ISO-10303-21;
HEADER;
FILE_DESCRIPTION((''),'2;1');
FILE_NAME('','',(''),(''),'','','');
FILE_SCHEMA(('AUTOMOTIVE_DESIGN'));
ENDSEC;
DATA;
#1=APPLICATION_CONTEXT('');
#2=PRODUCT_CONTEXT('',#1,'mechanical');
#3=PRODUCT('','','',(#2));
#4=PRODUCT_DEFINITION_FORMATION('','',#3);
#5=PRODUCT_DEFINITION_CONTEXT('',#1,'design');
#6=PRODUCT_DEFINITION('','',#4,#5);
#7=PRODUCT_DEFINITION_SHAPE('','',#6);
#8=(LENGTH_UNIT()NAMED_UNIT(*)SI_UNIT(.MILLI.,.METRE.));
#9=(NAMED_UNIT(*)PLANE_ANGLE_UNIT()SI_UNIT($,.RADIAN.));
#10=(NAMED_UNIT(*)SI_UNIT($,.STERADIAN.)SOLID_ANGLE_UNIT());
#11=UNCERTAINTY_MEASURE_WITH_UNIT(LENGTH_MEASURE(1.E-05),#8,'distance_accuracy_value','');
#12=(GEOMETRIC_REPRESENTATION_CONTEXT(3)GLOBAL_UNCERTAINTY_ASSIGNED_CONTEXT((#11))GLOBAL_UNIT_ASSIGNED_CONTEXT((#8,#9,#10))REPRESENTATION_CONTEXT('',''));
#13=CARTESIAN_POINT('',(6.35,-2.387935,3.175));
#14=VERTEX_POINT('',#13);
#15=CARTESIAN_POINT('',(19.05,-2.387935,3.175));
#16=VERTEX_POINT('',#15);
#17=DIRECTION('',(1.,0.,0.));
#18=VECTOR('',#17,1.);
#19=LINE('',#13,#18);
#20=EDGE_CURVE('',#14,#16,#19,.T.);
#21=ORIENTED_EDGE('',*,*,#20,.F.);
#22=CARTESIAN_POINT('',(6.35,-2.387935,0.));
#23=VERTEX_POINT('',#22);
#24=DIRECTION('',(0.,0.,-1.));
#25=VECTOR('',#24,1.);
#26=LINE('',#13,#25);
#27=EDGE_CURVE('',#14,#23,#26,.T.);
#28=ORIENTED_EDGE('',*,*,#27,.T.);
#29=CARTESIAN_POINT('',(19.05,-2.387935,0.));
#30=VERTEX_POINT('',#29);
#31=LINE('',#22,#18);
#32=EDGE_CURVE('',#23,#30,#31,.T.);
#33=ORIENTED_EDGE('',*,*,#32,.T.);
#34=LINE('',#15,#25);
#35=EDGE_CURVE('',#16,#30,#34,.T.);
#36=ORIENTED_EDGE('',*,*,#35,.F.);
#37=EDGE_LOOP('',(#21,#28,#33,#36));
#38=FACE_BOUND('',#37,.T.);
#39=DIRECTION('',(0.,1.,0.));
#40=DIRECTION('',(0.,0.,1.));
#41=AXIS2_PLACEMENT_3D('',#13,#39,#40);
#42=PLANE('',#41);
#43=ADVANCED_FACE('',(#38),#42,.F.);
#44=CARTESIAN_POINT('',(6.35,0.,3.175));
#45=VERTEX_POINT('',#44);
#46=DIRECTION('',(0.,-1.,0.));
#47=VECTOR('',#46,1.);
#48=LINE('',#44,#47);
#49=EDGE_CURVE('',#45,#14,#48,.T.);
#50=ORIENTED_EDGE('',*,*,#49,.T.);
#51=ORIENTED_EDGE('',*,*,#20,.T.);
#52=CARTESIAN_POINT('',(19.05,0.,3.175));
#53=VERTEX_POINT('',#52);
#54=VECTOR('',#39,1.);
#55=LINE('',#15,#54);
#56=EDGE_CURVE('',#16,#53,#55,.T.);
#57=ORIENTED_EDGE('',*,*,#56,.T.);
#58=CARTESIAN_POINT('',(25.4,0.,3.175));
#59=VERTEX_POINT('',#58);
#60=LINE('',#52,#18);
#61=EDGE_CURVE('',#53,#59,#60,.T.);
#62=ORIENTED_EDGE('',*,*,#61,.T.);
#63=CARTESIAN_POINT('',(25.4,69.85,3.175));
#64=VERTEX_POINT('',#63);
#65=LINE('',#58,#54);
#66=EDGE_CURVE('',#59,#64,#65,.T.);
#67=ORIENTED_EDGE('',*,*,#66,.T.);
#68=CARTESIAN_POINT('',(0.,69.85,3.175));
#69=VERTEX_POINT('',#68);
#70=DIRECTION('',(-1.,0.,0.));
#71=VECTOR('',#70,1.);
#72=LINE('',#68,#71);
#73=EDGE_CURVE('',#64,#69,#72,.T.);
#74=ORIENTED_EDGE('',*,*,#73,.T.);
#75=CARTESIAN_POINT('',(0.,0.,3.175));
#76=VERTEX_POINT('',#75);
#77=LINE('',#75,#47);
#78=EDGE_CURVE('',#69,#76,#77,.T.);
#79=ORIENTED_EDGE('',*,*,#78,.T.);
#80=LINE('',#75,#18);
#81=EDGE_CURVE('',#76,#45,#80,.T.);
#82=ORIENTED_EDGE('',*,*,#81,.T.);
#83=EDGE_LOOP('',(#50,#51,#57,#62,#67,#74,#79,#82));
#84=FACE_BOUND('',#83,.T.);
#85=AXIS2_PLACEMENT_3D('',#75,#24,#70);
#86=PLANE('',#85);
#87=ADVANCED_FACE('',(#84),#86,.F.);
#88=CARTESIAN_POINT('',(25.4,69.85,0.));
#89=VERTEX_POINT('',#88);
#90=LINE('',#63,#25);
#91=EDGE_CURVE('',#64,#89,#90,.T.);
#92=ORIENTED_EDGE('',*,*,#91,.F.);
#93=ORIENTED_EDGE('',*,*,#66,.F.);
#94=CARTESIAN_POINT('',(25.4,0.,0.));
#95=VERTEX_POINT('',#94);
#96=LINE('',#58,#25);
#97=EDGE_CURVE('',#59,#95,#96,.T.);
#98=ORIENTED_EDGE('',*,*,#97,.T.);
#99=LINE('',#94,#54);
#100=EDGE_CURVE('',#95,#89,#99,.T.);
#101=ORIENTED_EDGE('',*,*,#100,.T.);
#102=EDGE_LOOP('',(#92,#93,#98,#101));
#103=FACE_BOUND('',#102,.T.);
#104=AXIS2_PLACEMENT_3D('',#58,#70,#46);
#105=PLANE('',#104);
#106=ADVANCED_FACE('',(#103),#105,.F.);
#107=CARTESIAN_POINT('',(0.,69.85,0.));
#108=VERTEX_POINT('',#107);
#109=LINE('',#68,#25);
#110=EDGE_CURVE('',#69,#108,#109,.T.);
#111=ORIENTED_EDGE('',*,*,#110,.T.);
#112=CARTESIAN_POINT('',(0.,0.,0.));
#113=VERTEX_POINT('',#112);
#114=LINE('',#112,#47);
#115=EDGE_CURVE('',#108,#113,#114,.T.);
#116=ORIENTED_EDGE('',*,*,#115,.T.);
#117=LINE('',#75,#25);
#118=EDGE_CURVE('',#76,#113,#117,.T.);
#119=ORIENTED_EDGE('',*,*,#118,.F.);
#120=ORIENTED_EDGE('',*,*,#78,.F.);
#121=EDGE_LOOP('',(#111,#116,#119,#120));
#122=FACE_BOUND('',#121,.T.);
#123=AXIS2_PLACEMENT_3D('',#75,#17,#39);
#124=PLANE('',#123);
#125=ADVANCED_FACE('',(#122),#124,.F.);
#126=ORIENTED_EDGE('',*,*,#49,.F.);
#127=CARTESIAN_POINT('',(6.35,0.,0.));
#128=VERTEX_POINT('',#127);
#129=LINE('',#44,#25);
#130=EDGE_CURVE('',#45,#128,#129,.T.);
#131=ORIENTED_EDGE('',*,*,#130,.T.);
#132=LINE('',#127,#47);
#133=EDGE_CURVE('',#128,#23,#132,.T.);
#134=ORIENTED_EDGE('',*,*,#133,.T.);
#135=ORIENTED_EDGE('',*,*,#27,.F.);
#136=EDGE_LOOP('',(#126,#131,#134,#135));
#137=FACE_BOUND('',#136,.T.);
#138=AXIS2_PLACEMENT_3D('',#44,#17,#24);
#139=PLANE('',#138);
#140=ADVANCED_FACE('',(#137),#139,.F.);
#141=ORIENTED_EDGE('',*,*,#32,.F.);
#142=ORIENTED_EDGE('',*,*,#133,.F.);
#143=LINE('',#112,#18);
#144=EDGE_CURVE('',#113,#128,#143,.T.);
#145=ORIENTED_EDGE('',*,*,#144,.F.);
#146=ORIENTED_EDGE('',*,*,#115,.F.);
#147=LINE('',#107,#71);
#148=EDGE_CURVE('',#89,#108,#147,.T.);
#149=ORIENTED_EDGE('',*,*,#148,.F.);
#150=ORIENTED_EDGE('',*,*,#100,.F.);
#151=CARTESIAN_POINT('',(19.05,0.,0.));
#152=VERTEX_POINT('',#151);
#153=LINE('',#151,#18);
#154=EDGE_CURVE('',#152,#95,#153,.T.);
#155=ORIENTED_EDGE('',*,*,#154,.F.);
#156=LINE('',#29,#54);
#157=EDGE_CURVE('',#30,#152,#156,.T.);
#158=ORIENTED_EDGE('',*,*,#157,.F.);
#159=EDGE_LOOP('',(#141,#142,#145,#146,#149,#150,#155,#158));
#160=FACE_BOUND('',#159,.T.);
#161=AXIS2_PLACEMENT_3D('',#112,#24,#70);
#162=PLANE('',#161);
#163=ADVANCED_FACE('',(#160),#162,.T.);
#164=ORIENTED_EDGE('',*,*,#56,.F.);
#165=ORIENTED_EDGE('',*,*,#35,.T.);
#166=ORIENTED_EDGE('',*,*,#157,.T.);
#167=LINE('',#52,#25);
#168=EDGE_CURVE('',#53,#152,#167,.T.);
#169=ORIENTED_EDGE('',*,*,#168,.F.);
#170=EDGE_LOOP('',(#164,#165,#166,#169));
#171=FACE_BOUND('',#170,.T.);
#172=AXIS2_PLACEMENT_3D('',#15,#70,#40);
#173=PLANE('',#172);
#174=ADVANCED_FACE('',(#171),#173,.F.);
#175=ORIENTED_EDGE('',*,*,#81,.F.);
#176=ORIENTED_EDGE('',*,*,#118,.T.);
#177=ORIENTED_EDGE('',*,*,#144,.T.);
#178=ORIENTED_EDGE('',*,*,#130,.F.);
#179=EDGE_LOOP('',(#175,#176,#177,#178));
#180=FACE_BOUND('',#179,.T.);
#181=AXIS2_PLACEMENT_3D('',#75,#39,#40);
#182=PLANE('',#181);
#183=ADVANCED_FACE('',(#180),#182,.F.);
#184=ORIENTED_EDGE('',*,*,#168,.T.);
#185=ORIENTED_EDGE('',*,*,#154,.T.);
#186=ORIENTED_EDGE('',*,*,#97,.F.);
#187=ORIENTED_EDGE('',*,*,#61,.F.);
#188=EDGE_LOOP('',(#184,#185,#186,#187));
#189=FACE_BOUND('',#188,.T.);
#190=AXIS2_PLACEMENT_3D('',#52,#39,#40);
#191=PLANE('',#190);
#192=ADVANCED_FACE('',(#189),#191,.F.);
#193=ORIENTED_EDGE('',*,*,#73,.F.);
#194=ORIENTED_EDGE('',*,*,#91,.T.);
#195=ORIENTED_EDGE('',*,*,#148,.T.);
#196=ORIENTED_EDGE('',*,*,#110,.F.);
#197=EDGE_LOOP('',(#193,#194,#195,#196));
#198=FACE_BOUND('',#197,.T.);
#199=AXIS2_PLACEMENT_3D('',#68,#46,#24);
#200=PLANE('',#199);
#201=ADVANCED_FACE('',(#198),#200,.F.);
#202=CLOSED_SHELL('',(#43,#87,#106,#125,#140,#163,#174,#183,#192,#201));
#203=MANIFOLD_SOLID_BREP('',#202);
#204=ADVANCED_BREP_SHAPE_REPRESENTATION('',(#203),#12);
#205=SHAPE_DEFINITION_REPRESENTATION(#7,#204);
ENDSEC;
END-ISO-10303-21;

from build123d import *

# Parameters (mm, degrees)
BOSS_EXTRUDE1_DEPTH = 3.175


with BuildPart() as part:
    # Sketch1 → Boss-Extrude1 (new body)
    with BuildSketch(Plane.XY):
        Polygon((6.35, 0), (6.35, -2.387934918), (19.05, -2.387934918), (19.05, 0), (25.4, 0), (25.4, 69.85), (0, 69.85), (0, 0), align=None)
    extrude(amount=BOSS_EXTRUDE1_DEPTH)


solid = part.part
